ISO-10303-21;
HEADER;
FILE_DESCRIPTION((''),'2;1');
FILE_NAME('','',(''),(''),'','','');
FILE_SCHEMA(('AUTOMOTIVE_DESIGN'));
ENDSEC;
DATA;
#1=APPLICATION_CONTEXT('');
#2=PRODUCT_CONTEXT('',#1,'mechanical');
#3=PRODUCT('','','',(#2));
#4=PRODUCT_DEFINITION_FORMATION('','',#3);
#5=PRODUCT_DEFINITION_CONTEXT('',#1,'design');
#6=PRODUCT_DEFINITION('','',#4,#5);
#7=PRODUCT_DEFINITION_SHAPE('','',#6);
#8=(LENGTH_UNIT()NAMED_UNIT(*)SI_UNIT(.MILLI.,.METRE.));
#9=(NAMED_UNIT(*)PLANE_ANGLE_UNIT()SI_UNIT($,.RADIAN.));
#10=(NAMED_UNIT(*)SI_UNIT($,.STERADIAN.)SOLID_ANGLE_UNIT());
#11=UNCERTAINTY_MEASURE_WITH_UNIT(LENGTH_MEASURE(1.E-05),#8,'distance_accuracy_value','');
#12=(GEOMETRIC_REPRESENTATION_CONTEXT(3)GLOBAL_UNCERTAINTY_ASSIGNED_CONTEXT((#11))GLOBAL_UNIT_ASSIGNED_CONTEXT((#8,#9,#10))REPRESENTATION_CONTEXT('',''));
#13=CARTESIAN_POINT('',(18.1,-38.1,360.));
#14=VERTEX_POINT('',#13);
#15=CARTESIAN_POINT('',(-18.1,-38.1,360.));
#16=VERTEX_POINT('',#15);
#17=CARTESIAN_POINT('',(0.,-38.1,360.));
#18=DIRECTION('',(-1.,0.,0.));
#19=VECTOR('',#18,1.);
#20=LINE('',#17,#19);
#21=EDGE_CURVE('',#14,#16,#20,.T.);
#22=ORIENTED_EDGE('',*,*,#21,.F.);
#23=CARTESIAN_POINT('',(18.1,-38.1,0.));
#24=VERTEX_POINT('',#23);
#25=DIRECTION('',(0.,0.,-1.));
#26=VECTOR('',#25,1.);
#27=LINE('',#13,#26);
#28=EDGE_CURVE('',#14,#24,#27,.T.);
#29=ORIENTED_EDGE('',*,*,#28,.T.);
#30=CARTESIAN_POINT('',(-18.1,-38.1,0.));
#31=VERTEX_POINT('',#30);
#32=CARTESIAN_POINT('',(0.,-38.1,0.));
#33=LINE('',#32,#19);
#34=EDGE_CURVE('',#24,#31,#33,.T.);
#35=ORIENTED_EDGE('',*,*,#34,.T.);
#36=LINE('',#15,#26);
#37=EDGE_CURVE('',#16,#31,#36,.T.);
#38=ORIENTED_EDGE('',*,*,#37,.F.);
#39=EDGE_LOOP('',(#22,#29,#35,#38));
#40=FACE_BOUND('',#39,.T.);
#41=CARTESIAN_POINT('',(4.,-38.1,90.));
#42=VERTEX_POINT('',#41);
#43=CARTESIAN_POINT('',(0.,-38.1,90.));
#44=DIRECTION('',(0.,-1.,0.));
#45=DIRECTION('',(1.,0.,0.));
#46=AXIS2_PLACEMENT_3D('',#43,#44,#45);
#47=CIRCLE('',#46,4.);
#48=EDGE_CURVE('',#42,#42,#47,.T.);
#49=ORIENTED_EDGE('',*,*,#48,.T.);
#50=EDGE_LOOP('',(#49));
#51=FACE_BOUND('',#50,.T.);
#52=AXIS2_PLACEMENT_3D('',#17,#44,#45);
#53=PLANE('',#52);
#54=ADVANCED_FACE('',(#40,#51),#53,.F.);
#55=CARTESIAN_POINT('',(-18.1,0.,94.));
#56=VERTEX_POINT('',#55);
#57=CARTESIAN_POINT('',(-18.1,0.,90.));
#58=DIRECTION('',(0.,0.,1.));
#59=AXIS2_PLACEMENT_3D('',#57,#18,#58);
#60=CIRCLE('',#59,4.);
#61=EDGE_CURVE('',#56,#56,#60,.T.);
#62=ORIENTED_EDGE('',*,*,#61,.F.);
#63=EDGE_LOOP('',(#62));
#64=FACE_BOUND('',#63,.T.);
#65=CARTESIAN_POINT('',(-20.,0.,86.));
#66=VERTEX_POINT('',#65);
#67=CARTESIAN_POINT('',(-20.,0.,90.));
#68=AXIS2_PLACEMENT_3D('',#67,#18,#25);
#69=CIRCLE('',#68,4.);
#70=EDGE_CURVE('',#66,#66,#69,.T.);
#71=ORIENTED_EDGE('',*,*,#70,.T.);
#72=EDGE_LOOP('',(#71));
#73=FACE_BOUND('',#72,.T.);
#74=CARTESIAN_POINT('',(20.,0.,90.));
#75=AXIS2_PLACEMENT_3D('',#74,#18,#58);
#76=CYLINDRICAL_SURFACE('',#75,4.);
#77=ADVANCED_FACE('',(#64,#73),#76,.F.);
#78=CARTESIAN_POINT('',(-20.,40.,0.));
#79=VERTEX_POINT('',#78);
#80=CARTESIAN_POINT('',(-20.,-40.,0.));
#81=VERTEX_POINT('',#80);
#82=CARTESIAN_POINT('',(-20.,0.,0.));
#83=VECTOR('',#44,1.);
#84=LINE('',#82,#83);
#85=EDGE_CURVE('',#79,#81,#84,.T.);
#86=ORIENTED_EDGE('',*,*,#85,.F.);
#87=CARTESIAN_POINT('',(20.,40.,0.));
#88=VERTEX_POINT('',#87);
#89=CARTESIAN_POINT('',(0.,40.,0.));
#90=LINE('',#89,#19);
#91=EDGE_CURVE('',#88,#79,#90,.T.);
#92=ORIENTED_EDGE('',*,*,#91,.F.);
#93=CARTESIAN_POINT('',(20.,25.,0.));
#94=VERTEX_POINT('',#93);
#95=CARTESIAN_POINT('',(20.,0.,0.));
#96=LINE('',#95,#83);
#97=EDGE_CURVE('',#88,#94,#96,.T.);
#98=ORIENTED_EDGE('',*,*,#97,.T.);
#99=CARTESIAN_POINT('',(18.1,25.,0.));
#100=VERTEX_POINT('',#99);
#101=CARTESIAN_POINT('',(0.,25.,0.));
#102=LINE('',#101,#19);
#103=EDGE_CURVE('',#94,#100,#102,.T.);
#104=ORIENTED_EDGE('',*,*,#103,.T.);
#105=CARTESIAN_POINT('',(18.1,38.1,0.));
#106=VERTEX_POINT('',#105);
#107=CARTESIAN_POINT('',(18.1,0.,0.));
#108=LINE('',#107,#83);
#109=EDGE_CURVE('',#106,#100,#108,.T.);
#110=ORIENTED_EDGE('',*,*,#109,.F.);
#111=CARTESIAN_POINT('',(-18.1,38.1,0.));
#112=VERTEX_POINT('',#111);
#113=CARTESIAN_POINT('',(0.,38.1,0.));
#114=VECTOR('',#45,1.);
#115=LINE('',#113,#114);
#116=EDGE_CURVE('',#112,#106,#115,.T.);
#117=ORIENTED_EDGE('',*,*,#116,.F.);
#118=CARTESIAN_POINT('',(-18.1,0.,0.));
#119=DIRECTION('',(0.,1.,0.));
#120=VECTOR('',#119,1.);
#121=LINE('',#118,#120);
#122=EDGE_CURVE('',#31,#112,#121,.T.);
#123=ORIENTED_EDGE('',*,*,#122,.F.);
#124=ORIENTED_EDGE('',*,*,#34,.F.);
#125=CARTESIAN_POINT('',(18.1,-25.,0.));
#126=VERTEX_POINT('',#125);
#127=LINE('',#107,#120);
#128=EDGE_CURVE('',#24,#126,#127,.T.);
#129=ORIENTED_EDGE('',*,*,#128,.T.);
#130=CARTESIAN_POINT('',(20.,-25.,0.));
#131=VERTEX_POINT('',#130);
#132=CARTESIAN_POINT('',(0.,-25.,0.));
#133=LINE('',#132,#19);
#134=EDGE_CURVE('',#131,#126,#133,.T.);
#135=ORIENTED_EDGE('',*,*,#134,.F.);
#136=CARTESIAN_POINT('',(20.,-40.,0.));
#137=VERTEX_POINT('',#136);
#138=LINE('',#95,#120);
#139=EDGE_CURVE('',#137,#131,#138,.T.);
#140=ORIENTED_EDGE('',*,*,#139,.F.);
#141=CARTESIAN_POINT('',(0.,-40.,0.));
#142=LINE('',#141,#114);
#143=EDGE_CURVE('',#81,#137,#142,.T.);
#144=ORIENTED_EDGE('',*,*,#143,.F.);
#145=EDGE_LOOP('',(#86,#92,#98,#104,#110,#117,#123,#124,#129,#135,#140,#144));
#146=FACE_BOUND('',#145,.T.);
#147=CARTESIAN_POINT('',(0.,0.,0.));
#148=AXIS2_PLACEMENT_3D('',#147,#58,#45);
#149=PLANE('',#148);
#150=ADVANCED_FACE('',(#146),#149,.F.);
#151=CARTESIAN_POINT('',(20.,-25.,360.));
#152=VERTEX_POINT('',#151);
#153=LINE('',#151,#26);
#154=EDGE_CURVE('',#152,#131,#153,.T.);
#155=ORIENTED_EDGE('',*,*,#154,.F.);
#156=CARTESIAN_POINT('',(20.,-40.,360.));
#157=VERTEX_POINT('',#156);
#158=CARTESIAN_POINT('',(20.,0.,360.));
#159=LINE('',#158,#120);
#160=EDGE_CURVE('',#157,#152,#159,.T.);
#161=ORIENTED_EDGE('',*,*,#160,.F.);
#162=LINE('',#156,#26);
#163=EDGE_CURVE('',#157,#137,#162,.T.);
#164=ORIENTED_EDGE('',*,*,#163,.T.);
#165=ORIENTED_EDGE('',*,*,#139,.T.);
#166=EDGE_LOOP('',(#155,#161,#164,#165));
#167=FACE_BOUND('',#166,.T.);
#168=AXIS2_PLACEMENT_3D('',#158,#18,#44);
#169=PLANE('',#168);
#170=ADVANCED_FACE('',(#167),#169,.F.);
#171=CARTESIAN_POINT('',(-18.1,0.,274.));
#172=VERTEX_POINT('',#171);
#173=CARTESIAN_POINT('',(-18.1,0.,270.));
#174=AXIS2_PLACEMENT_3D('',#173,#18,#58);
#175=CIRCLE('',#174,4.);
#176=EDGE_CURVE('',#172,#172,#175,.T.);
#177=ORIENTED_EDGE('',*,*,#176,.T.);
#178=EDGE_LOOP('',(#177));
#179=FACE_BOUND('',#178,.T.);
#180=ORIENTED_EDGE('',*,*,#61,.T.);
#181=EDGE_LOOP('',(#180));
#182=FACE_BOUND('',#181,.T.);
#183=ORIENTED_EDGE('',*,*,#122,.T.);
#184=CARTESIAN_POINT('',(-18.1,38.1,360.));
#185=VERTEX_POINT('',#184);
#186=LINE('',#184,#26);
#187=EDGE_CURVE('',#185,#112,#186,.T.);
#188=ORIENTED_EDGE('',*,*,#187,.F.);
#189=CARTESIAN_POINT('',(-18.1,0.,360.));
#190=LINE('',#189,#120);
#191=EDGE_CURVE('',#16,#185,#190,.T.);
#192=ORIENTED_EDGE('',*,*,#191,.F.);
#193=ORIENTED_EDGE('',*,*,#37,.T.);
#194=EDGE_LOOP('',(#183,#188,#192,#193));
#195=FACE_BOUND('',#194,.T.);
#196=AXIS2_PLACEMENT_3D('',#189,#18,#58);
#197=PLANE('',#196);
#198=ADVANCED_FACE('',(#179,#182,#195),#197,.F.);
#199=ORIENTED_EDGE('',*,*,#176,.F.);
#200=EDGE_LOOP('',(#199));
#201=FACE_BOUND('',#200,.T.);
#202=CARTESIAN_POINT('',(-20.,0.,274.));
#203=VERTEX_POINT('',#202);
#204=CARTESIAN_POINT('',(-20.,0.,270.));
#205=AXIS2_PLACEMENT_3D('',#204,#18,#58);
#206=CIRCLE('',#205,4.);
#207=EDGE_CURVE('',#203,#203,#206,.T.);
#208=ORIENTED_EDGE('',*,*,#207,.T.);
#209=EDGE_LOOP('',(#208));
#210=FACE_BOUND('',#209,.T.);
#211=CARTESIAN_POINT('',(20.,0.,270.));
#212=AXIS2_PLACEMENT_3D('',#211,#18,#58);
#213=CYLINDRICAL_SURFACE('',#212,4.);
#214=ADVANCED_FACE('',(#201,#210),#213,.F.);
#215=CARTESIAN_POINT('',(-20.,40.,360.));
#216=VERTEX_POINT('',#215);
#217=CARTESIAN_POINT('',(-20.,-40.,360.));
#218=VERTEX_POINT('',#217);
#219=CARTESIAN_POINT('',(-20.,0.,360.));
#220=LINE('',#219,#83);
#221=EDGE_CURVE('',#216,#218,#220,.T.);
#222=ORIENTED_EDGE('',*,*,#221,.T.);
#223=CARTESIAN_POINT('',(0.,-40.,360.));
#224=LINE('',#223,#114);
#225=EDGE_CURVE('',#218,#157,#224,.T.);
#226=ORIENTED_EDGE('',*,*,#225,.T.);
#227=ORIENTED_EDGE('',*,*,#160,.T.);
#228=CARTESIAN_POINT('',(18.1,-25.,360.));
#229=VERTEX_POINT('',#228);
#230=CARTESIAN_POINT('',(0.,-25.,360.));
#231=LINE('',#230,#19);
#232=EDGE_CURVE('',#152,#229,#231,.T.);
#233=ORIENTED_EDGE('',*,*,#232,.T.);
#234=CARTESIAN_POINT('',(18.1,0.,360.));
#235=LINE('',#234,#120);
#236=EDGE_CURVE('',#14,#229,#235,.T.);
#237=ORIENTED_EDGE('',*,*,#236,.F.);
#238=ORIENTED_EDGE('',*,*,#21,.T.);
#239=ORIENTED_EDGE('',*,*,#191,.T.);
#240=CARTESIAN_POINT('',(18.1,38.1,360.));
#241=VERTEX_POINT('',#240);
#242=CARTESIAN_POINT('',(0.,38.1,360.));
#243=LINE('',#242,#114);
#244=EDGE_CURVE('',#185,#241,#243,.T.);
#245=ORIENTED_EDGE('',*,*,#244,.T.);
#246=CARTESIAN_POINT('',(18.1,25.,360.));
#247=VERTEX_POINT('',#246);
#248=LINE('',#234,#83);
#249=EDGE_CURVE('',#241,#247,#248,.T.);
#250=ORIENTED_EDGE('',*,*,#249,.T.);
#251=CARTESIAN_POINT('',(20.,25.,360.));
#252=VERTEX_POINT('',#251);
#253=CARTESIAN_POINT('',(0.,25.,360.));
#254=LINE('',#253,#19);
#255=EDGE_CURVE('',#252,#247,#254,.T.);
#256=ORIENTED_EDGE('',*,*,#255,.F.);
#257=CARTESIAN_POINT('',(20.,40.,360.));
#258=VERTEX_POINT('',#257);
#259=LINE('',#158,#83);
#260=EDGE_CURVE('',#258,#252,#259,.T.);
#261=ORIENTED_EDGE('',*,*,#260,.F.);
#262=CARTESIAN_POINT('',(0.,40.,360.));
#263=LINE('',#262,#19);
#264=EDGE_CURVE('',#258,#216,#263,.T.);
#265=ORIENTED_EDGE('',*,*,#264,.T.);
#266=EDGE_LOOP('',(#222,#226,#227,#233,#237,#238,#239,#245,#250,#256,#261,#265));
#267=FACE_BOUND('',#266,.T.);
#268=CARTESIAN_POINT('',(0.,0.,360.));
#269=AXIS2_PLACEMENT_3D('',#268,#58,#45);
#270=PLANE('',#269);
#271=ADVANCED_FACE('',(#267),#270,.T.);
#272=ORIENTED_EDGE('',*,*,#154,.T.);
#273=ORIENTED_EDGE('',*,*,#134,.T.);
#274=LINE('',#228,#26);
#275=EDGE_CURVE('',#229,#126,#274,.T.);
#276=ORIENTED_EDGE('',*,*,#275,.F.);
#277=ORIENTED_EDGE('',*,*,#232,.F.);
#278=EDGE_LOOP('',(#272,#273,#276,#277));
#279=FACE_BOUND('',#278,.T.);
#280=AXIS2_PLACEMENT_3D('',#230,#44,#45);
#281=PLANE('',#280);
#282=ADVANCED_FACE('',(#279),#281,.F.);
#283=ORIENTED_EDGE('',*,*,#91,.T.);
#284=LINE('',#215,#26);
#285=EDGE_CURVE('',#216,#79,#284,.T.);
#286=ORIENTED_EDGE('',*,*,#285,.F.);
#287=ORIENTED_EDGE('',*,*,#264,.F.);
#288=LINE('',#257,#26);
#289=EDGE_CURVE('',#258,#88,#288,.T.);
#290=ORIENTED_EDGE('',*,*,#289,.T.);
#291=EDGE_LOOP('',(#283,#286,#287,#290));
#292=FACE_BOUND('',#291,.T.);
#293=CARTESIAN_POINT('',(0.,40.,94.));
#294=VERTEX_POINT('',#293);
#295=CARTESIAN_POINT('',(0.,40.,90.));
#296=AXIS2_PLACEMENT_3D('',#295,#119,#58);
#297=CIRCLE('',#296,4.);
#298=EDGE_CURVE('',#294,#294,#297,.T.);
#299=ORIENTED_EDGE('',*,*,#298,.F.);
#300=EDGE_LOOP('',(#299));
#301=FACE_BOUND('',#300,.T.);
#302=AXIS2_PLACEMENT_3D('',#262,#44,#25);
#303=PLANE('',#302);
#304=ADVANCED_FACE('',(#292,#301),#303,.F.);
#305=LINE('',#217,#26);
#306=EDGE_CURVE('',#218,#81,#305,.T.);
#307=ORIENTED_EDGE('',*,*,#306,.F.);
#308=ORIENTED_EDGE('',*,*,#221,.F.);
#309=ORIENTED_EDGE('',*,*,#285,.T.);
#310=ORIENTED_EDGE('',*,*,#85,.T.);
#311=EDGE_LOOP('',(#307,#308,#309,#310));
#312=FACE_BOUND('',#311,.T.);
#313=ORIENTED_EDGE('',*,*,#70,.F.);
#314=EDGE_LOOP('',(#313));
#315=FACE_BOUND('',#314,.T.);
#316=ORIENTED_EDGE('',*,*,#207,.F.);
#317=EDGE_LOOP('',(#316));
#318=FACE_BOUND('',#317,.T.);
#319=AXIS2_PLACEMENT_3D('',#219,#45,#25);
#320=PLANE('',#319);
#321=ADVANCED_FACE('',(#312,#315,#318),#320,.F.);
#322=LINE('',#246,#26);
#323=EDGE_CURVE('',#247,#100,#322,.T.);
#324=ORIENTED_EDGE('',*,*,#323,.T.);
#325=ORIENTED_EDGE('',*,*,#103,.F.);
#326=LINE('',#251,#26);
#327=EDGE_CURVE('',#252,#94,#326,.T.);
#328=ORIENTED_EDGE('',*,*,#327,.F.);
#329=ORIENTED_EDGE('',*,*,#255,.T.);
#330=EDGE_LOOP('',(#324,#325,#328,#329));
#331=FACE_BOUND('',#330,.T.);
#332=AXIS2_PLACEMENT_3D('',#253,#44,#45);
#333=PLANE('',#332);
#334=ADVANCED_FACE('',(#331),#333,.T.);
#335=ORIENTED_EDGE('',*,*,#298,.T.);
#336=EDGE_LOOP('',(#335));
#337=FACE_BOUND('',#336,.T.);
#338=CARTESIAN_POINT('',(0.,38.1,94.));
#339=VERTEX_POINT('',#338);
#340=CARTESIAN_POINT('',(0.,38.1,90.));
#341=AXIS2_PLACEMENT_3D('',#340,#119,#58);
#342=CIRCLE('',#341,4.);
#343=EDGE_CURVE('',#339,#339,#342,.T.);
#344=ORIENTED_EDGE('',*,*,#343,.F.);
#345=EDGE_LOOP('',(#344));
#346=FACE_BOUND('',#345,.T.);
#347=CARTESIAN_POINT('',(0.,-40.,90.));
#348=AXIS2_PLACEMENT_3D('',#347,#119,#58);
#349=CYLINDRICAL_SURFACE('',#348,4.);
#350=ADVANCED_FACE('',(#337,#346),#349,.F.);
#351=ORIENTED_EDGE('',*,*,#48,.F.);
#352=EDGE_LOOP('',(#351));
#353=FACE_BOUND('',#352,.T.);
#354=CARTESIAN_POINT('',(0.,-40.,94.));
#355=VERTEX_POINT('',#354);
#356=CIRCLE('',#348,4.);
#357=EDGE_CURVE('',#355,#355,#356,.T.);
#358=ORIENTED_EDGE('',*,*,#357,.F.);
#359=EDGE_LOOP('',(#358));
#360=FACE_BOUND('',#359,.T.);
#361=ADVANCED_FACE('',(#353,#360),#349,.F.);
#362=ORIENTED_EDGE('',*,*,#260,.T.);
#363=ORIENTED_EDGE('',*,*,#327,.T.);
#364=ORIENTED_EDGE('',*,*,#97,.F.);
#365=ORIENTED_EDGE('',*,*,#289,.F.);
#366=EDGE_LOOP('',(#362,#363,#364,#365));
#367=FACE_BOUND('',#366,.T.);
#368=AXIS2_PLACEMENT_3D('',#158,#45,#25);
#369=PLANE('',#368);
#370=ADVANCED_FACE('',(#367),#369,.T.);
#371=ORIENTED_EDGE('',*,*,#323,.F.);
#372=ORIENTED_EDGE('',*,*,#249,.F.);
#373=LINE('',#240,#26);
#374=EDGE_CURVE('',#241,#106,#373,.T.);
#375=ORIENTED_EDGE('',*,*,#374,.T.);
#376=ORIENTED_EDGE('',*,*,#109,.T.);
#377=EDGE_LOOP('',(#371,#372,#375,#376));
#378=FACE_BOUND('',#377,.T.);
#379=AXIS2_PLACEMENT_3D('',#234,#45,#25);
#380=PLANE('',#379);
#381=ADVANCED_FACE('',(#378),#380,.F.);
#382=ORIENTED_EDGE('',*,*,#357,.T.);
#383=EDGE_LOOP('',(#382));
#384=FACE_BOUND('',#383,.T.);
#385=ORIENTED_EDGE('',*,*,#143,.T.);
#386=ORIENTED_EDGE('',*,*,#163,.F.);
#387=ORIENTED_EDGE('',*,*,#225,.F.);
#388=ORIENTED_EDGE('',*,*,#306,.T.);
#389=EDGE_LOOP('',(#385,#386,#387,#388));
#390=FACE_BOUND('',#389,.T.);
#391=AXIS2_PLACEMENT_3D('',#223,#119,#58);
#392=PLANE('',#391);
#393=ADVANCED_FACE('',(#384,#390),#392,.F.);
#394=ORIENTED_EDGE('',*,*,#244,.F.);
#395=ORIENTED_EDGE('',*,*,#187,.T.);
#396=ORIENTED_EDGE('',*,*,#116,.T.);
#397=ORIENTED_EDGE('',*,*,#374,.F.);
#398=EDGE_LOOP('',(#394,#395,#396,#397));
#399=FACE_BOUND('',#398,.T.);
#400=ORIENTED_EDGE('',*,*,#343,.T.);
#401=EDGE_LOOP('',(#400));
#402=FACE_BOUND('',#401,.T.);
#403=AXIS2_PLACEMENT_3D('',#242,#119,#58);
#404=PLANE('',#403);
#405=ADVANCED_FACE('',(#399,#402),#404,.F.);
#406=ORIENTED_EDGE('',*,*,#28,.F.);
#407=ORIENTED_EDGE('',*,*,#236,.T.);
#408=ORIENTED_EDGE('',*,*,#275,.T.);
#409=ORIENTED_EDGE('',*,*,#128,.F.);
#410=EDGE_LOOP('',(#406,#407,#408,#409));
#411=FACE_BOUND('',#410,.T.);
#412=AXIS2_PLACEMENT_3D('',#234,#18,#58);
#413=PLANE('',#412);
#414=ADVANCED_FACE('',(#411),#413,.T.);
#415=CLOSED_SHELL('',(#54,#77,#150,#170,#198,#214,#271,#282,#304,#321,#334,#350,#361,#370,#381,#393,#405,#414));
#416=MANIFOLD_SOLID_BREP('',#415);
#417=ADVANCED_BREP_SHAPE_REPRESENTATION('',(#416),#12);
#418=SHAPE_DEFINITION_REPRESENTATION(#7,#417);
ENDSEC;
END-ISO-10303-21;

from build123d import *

# Parameters (mm, degrees)
SALIENTE_EXTRUIR1_DEPTH = 360
CROQUIS2_R              = 4
CORTAR_EXTRUIR1_DEPTH   = 365.417343166
CROQUIS3_R              = 4
CORTAR_EXTRUIR2_DEPTH   = 370.323706252


with BuildPart() as part:
    # Croquis1 → Saliente-Extruir1 (new body)
    with BuildSketch(Plane.XY):
        Polygon((18.1, -38.1), (18.1, -25), (20, -25), (20, -38.1), (20, -40), (-20, -40), (-20, 40), (20, 40), (20, 25), (18.1, 25), (18.1, 38.1), (-18.1, 38.1), (-18.1, -38.1), align=None)
    extrude(amount=SALIENTE_EXTRUIR1_DEPTH)

    # Croquis2 → Cortar-Extruir1 (cut, through all)
    with BuildSketch(Plane.ZY.offset(20)):
        with Locations((270, 0)):
            Circle(CROQUIS2_R)
        with Locations((90, 0)):
            Circle(CROQUIS2_R)
    extrude(amount=-CORTAR_EXTRUIR1_DEPTH, mode=Mode.SUBTRACT)

    # Croquis3 → Cortar-Extruir2 (cut, through all)
    with BuildSketch(Plane(origin=(0, 40, 0), x_dir=(1, 0, 0), z_dir=(0, 1, 0))):
        with Locations(Location((0, -90, 0), (0, 0, 270))):
            Circle(CROQUIS3_R)
    extrude(amount=-CORTAR_EXTRUIR2_DEPTH, mode=Mode.SUBTRACT)


solid = part.part
